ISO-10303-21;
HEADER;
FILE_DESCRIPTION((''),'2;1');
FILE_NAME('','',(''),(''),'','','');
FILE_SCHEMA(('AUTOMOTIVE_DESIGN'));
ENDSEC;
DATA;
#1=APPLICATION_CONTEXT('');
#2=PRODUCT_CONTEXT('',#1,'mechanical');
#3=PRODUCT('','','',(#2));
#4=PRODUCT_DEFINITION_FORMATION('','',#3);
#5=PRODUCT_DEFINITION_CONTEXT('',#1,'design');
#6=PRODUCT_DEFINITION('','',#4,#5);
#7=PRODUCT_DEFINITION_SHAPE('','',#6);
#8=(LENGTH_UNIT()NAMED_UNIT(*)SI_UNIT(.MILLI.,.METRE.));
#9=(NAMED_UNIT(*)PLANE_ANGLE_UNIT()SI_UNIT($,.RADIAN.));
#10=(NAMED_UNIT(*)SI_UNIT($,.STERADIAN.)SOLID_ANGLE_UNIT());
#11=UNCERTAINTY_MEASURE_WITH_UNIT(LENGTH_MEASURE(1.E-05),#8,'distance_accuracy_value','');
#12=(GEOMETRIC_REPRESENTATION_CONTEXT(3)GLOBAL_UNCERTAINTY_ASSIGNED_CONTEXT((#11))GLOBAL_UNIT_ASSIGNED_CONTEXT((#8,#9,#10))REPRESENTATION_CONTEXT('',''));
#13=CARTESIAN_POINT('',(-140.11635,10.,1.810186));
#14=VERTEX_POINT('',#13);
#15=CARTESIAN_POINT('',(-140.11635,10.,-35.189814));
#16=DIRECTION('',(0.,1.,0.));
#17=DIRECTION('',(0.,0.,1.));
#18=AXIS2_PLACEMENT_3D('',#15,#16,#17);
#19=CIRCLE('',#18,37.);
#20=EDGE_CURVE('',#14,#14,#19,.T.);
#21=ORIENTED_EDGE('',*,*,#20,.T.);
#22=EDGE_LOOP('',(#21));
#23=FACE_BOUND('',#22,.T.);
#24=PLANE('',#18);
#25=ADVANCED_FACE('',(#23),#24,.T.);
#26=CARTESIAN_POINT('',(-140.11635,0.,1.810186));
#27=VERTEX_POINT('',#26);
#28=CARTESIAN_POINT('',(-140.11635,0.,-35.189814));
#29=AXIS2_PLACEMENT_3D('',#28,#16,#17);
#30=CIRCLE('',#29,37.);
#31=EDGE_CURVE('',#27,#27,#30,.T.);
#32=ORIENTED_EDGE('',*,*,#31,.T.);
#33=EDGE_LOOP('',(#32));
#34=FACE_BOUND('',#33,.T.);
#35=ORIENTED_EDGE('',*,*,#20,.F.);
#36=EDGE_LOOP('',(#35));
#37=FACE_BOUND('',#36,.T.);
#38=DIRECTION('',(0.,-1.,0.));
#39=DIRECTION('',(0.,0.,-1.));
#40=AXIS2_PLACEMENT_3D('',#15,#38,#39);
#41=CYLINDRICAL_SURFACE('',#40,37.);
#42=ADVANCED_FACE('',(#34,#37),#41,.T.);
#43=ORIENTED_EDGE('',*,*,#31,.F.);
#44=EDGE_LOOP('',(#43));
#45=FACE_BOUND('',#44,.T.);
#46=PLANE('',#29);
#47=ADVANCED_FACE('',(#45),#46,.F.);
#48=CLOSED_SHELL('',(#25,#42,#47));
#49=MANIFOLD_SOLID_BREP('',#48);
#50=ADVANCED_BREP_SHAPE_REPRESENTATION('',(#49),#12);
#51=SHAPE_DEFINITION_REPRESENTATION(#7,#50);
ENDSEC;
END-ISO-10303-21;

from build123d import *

# Parameters (mm, degrees)
SKETCH1_R           = 37
BOSS_EXTRUDE1_DEPTH = 10


with BuildPart() as part:
    # Sketch1 → Boss-Extrude1 (new body)
    with BuildSketch(Plane(origin=(0, 0, 0), x_dir=(1, 0, 0), z_dir=(0, 1, 0))):
        with Locations((-140.116350288, 35.189814303)):
            Circle(SKETCH1_R)
    extrude(amount=BOSS_EXTRUDE1_DEPTH)


solid = part.part
